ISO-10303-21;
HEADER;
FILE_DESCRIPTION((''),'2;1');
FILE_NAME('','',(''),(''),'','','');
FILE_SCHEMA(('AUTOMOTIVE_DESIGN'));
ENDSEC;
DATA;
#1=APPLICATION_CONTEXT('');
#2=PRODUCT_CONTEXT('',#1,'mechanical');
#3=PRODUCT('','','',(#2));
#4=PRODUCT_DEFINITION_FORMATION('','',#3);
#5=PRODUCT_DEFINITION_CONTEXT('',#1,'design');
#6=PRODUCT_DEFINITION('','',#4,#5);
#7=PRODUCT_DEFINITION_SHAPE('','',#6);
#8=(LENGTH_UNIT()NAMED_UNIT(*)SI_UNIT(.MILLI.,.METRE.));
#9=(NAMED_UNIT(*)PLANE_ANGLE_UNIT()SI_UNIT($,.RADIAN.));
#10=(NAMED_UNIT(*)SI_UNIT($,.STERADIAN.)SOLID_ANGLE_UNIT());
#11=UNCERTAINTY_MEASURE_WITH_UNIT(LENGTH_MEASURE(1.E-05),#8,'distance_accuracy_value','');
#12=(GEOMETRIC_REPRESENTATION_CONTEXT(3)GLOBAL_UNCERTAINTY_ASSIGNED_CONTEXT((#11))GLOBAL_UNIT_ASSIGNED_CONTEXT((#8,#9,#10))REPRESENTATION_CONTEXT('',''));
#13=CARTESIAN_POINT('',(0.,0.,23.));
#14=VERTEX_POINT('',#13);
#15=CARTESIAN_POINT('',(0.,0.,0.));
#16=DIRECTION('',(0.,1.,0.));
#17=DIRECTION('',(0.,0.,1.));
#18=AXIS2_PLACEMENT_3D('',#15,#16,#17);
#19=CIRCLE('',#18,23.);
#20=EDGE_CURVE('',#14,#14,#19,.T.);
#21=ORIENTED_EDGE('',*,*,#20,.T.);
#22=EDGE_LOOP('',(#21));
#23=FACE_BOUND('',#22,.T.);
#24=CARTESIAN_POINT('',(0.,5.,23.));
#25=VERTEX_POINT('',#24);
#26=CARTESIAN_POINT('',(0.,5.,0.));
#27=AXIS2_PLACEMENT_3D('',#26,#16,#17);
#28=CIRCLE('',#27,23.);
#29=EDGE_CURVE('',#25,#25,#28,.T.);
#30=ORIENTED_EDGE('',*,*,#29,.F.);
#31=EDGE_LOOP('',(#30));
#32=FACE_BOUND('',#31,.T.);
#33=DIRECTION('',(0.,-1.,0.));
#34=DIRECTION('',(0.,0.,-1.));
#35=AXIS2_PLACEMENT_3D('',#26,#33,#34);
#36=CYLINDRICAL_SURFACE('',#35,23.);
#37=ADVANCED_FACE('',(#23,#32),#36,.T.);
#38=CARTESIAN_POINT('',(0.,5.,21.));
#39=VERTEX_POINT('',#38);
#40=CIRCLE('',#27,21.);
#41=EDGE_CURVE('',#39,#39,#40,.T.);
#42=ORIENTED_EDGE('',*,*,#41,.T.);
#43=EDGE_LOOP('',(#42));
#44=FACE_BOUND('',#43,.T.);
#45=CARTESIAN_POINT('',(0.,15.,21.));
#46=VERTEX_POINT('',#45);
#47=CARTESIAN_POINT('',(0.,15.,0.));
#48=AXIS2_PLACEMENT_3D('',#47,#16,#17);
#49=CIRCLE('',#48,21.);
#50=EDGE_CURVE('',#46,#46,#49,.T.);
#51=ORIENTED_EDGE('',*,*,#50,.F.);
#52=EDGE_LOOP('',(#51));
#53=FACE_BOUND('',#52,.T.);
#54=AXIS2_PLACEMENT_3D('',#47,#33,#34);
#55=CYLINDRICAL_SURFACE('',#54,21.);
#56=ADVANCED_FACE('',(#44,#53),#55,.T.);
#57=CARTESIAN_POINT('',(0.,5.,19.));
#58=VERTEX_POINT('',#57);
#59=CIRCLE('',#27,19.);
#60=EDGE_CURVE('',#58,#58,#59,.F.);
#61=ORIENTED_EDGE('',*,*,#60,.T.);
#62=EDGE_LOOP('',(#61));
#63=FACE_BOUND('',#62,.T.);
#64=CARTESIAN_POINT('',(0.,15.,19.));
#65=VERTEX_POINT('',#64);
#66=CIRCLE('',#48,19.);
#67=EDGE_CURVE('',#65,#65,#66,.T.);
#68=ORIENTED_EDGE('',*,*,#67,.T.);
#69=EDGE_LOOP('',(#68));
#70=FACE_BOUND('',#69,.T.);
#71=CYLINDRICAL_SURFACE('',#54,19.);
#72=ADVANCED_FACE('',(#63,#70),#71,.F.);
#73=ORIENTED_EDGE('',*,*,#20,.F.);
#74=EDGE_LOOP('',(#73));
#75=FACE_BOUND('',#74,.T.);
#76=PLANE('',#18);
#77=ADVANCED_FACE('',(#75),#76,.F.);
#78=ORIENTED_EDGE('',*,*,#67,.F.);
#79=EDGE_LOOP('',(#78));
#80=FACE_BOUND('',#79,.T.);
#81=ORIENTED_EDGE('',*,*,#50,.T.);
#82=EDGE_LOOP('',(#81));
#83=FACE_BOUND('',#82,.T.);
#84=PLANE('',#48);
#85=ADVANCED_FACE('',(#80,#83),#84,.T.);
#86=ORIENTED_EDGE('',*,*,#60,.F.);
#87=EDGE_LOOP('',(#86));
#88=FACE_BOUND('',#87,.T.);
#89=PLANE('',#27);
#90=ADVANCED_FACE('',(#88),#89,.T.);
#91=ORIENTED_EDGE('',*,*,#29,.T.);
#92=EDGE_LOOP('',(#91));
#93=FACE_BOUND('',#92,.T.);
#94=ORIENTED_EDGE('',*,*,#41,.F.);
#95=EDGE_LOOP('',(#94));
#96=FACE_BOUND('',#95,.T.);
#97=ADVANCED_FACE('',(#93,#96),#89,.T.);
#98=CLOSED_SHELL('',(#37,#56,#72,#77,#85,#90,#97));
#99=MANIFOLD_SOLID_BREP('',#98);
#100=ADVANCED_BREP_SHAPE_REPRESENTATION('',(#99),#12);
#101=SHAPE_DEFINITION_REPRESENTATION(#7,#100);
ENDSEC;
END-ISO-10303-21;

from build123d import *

# Parameters (mm, degrees)
SKETCH_1_R      = 23
EXTRUDE_1_DEPTH = 5
SKETCH_3_R      = 21
SKETCH_3_R_2    = 19
EXTRUDE_2_DEPTH = 10


with BuildPart() as part:
    # Эскиз1 → Бобышка-Вытянуть1 (new body)
    with BuildSketch(Plane(origin=(0, 0, 0), x_dir=(1, 0, 0), z_dir=(0, 1, 0))):
        with Locations(Location((0, 0, 0), (0, 0, 270))):
            Circle(SKETCH_1_R)
    extrude(amount=EXTRUDE_1_DEPTH)

    # Эскиз3 → Бобышка-Вытянуть2 (add)
    with BuildSketch(Plane(origin=(0, 5, 0), x_dir=(1, 0, 0), z_dir=(0, 1, 0))):
        with Locations(Location((0, 0, 0), (0, 0, 270))):
            Circle(SKETCH_3_R)
        with Locations(Location((0, 0, 0), (0, 0, 270))):
            Circle(SKETCH_3_R_2, mode=Mode.SUBTRACT)
    extrude(amount=EXTRUDE_2_DEPTH)


solid = part.part
